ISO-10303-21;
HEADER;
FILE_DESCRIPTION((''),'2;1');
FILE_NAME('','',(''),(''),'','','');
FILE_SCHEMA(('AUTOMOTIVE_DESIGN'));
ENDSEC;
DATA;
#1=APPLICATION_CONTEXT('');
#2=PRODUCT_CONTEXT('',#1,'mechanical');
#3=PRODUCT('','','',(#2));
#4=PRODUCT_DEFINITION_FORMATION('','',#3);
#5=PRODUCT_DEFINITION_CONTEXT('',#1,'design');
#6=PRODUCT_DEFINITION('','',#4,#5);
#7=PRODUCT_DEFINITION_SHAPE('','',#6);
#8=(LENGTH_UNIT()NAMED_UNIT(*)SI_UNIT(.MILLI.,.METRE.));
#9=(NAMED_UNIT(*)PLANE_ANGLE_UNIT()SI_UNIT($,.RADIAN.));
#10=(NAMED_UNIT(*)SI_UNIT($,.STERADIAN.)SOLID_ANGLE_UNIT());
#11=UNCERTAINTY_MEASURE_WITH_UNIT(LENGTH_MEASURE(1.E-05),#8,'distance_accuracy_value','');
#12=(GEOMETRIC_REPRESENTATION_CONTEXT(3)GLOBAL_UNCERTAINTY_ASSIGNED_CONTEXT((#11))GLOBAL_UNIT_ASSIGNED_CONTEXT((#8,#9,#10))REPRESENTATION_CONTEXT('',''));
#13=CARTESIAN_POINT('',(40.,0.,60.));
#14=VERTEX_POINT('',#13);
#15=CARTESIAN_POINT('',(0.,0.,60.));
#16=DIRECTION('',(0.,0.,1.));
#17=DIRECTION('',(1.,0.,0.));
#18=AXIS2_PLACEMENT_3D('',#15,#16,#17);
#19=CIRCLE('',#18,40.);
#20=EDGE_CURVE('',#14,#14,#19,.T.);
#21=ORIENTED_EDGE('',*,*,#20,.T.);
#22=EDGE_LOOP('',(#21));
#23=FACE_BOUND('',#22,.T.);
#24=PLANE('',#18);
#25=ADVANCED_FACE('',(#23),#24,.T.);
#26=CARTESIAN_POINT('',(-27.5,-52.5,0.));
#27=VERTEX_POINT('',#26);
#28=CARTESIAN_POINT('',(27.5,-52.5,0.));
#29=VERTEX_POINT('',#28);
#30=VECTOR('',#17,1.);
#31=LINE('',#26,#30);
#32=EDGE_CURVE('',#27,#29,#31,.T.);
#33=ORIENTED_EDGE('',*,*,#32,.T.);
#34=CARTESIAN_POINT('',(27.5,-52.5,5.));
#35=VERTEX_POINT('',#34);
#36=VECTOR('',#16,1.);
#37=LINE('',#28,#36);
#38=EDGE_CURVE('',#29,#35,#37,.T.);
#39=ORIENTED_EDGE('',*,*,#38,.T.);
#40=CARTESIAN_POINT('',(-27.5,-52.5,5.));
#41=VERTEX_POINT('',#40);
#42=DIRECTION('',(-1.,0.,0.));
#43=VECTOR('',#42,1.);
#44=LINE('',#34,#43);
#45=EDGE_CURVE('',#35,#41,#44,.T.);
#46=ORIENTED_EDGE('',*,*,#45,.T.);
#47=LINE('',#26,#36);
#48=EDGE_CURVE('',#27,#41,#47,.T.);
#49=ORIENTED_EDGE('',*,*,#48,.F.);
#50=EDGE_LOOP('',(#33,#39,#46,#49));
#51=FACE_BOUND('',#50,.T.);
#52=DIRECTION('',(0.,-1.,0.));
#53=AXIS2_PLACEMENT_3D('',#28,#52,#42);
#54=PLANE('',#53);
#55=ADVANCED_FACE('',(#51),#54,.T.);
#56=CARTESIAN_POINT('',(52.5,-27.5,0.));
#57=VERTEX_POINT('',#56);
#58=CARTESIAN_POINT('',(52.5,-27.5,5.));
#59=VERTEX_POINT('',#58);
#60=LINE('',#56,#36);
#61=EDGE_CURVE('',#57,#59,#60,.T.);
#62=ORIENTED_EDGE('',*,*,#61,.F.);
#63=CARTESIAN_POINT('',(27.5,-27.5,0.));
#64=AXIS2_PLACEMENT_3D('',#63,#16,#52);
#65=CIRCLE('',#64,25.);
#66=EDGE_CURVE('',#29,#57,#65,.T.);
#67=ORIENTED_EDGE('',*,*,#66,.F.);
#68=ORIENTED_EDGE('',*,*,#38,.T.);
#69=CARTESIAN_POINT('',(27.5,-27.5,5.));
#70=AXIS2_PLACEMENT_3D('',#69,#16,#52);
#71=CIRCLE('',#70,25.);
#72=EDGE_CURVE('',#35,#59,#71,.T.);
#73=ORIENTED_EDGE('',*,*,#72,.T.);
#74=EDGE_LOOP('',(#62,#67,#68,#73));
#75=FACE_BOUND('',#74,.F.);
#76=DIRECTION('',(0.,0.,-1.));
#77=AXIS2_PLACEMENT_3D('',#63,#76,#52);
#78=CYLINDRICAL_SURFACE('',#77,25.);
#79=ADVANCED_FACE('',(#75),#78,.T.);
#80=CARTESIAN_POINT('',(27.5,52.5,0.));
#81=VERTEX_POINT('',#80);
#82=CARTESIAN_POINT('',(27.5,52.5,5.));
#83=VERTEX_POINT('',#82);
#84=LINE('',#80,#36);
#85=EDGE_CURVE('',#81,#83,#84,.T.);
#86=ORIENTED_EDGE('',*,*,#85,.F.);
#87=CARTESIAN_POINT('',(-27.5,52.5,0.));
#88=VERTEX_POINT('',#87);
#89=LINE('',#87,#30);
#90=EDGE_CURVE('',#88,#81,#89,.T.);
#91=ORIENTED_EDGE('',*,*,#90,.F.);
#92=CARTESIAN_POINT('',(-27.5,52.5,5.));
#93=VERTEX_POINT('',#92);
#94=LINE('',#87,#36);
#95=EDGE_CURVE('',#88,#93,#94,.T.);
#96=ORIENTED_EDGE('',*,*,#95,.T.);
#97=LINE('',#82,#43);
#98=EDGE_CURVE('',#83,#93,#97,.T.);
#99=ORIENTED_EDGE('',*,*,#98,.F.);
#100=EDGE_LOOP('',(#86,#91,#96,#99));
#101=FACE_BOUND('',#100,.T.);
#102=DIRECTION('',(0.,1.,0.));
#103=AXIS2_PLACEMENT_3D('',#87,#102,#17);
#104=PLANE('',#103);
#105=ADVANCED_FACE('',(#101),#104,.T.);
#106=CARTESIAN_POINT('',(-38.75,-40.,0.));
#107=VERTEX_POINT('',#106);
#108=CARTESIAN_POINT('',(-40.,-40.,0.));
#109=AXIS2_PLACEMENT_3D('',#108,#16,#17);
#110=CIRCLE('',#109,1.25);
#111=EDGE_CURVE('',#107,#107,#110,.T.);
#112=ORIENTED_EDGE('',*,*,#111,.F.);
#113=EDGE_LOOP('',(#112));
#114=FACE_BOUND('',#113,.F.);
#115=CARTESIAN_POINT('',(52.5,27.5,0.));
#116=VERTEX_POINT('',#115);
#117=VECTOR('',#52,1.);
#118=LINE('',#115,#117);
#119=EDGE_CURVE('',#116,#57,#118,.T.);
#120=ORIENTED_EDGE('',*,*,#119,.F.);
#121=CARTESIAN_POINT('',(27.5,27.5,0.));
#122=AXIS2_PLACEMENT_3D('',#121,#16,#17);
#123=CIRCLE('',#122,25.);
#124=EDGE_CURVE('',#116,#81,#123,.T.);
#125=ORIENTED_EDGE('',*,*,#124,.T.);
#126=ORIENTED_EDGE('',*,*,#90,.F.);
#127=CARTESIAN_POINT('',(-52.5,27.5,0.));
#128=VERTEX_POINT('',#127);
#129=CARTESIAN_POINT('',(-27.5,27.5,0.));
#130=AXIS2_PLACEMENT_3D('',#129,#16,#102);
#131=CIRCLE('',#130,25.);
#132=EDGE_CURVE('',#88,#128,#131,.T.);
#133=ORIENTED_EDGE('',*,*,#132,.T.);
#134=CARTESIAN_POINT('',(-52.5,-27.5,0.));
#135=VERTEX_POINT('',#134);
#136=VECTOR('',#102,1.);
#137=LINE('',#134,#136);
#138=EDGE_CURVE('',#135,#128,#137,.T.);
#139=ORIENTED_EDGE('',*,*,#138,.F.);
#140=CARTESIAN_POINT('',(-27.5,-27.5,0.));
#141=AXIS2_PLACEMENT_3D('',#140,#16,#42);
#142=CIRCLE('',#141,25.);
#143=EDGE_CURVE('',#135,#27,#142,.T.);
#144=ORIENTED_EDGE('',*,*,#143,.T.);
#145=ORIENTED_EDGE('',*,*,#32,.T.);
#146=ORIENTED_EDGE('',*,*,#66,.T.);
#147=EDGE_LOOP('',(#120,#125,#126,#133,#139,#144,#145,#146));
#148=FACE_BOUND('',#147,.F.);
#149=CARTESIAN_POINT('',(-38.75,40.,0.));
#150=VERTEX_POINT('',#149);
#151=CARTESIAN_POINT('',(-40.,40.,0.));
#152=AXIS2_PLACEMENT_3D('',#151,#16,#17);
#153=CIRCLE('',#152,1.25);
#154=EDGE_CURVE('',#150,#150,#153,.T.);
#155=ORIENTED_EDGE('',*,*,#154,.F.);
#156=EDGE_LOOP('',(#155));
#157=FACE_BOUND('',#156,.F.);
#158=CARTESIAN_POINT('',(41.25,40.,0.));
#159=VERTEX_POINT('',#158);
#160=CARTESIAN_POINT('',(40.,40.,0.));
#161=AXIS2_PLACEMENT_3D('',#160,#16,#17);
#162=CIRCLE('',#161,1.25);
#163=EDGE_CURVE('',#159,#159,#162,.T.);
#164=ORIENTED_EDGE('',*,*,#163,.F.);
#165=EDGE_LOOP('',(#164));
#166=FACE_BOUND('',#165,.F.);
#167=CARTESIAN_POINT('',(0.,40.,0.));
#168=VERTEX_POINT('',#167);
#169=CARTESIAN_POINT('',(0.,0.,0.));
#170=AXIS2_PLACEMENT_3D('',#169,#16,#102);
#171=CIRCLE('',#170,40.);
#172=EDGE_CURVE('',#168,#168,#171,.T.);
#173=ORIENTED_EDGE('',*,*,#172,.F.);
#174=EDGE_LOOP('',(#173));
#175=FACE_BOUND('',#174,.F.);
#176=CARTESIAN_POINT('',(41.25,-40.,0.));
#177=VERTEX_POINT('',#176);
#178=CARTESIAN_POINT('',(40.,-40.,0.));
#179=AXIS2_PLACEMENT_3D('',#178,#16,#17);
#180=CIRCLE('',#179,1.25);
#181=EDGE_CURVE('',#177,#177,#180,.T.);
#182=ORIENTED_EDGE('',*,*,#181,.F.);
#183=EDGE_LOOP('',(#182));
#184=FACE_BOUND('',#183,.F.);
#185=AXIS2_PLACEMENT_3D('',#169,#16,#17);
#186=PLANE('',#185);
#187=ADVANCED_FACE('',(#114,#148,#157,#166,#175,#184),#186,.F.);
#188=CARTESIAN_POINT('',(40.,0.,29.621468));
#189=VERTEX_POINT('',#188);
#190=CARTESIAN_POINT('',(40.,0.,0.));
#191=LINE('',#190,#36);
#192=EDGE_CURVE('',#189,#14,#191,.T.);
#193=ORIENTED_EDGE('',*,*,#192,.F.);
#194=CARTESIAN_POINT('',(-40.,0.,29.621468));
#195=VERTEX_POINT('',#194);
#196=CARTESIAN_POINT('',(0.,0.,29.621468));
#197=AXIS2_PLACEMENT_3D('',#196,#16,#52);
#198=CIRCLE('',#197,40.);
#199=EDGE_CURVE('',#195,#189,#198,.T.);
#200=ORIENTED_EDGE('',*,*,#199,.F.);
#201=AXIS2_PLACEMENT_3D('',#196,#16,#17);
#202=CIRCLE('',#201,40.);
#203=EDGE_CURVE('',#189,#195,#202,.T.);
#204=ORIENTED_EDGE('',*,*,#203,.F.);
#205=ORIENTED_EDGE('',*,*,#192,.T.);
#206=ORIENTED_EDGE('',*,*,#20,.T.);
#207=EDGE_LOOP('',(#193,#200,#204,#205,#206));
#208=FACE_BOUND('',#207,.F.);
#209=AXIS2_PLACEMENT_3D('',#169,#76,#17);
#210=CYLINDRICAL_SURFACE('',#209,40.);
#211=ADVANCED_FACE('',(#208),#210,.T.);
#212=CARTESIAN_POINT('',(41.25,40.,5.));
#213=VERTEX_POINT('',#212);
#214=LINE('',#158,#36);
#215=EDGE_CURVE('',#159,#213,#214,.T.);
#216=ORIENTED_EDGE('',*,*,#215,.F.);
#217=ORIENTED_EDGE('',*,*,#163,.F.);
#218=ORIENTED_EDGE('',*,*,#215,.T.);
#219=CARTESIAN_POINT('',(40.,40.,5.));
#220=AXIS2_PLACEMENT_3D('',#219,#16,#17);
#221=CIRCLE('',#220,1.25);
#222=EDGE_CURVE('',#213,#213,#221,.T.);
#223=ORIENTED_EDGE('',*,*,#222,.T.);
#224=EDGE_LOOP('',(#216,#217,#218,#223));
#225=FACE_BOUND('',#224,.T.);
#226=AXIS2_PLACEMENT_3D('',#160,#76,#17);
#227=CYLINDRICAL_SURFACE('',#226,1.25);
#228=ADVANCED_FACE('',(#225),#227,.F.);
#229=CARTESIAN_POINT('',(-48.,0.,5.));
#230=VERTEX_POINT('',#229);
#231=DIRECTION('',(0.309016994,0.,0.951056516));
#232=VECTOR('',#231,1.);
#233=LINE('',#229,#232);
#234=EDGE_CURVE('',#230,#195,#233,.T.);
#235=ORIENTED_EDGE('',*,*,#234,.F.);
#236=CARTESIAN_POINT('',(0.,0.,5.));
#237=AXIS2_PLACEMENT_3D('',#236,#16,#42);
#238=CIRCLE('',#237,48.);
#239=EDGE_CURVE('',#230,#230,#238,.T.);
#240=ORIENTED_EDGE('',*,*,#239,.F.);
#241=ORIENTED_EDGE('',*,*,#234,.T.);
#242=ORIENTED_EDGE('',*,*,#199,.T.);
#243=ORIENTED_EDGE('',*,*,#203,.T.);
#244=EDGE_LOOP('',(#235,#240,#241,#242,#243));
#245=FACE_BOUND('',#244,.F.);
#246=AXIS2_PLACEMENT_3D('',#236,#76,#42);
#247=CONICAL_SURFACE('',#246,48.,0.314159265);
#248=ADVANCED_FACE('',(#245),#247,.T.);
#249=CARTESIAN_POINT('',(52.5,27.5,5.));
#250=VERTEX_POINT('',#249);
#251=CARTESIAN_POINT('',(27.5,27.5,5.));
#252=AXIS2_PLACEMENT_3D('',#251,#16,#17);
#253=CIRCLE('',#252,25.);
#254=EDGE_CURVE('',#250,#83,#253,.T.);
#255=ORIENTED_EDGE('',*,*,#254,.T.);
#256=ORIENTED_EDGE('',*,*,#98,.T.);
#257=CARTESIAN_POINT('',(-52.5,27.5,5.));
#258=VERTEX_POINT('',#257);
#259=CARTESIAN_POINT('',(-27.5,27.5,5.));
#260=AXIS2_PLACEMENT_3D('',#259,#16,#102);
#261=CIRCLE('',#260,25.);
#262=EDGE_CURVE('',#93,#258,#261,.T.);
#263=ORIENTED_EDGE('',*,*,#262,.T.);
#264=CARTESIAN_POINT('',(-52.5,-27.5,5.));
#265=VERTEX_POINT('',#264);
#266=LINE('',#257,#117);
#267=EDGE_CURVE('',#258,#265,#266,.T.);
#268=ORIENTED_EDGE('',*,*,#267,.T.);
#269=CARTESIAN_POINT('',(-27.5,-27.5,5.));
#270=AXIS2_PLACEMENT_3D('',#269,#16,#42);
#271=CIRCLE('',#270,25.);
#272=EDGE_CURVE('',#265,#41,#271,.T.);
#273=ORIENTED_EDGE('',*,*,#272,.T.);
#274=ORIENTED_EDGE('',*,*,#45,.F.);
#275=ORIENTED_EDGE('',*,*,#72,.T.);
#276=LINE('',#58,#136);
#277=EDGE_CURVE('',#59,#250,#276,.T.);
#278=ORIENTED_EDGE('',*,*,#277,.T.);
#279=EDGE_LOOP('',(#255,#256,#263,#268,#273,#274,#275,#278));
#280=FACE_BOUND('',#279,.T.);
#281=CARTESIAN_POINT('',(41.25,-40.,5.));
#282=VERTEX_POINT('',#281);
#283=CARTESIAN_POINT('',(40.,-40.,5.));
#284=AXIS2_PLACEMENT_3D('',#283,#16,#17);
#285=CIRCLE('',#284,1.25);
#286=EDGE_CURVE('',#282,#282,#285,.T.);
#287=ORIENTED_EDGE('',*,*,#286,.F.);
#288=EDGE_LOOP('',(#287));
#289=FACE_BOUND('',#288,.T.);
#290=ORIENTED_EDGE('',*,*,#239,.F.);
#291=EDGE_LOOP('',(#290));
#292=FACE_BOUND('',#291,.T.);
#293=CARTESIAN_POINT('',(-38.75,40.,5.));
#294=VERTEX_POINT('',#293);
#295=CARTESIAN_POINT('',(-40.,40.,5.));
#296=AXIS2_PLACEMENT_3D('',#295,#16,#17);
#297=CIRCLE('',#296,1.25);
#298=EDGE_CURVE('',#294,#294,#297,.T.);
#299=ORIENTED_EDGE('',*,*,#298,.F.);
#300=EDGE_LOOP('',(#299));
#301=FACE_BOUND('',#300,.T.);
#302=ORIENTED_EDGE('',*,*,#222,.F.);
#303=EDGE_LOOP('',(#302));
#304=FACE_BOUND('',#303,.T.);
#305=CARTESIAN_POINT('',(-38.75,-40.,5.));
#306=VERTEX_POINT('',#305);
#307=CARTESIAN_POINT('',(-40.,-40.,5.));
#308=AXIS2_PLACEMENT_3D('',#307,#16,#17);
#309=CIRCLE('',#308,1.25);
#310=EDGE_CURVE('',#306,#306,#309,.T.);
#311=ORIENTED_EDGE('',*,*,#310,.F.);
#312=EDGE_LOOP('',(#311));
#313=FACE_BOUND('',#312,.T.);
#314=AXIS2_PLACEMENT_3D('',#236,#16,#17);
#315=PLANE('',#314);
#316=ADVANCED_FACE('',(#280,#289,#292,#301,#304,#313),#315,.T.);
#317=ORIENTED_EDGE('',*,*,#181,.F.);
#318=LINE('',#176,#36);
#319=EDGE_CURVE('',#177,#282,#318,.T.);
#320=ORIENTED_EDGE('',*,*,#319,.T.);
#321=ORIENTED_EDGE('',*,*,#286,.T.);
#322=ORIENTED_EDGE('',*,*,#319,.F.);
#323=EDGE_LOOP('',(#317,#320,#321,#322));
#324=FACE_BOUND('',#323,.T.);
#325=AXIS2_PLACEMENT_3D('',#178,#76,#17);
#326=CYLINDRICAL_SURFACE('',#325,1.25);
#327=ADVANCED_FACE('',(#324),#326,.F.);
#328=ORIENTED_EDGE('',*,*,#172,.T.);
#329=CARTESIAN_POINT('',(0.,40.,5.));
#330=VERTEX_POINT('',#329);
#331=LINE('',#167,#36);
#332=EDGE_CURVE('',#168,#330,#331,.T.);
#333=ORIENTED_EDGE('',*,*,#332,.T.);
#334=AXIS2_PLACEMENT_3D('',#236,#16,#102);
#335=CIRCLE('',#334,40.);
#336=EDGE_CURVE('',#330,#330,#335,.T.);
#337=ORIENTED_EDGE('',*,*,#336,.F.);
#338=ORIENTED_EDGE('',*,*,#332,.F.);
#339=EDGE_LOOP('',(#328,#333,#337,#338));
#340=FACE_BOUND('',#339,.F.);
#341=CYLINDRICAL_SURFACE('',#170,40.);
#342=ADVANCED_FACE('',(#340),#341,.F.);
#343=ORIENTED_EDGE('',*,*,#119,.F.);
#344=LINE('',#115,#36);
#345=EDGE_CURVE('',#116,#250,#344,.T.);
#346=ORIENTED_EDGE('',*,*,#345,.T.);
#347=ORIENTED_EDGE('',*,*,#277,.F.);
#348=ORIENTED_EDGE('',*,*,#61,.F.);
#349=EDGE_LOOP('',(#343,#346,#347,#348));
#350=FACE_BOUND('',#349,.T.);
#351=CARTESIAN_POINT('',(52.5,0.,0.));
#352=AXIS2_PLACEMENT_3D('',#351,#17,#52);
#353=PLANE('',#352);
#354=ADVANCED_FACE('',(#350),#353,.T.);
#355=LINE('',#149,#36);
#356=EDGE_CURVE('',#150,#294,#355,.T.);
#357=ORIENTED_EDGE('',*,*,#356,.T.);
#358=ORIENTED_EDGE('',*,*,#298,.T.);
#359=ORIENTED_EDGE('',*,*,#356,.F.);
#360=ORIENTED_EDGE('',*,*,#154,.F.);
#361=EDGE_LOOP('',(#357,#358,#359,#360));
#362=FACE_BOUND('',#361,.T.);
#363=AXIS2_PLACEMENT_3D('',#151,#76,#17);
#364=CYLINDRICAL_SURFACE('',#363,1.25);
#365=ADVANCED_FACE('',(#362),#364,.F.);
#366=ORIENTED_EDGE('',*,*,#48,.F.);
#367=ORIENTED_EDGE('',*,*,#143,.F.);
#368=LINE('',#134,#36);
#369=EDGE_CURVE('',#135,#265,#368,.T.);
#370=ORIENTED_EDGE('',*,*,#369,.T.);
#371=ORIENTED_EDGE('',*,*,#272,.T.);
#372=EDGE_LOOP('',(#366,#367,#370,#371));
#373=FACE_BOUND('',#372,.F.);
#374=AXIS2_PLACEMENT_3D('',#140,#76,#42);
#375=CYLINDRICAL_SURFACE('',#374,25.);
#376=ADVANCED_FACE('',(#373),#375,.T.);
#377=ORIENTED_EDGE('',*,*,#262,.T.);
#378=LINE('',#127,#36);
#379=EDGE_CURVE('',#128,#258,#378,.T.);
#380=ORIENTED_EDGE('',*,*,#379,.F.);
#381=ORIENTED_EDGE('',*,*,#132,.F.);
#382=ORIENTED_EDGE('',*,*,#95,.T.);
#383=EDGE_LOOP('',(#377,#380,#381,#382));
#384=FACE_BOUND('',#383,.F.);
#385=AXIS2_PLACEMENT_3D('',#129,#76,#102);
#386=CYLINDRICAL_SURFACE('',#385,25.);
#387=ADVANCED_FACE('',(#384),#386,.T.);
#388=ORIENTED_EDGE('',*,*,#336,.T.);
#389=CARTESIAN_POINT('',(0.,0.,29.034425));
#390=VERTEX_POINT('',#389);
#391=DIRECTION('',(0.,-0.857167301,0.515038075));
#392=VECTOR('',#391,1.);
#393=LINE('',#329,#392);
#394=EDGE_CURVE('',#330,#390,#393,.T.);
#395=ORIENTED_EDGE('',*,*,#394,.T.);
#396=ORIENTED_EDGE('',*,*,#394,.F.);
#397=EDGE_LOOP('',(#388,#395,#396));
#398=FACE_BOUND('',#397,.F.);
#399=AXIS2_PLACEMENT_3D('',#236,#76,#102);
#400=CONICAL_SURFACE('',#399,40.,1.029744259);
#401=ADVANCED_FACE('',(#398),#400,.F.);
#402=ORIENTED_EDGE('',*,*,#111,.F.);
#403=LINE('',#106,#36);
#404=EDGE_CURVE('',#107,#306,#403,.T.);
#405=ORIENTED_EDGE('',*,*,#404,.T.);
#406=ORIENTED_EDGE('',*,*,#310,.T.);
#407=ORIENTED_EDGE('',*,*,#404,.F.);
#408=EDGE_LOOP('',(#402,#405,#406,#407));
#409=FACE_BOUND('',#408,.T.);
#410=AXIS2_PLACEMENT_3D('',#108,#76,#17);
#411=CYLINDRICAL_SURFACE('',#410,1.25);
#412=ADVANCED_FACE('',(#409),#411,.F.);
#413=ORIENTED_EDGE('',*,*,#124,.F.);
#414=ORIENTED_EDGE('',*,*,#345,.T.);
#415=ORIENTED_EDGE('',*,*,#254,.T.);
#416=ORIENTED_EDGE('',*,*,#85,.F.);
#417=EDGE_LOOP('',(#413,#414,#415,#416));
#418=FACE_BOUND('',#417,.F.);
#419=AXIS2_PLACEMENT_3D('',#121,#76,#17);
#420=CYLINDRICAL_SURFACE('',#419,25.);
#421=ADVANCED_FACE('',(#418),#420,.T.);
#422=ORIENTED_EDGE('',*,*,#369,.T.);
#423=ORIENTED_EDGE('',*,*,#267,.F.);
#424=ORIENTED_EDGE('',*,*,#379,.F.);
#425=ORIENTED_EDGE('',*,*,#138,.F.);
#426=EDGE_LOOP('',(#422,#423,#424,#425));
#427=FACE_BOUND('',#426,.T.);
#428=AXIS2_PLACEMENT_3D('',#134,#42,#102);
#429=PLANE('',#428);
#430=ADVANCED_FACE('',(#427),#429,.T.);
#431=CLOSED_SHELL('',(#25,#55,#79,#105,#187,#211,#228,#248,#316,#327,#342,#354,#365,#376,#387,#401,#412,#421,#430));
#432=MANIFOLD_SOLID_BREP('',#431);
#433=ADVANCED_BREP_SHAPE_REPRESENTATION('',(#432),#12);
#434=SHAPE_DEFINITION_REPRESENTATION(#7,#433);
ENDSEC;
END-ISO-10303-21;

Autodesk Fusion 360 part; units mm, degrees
sketch "Esquisse1" plane through (0, 0, 0) normal (0, 0, 1) x (1, 0, 0)
  line L0 (27.5, -52.5) -> (-27.5, -52.5)
  line L1 (-52.5, -27.5) -> (-52.5, 27.5)
  line L2 (-27.5, 52.5) -> (27.5, 52.5)
  line L3 (52.5, 27.5) -> (52.5, -27.5)
  circle A0 centre (0, 0) radius 52.5
  line L4 (40, -40) -> (-40, 40) construction
  line L5 (-40, -40) -> (40, 40) construction
  circle A1 centre (-40, -40) radius 1.25
  circle A2 centre (40, -40) radius 1.25
  circle A3 centre (-40, 40) radius 1.25
  circle A4 centre (40, 40) radius 1.25
  arc A5 (-52.5, -27.5) -> (-27.5, -52.5) centre (-27.5, -27.5) ccw
  arc A6 (27.5, -52.5) -> (52.5, -27.5) centre (27.5, -27.5) ccw
  arc A7 (52.5, 27.5) -> (27.5, 52.5) centre (27.5, 27.5) ccw
  arc A8 (-27.5, 52.5) -> (-52.5, 27.5) centre (-27.5, 27.5) ccw
  dimension "d3" = 105
  dimension "d40" = 2.5
  dimension "d41" = 2.5
  dimension "d42" = 2.5
  dimension "d43" = 2.5
extrude "Extrusion1" add sketch "Esquisse1" along normal blind 5 contours L0 L3 A0 A6 | L0 L1 A0 A5 | A0 | L1 L2 A0 A8 | L2 L3 A0 A7 | A1 | A2 | A3 | A4
sketch "Esquisse2" plane through (0, 0, 5) normal (0, 0, 1) x (-1, 0, 0)
  line L0 (-27.5, -52.5) -> (27.5, -52.5)
  line L1 (52.5, -27.5) -> (52.5, 27.5)
  line L2 (27.5, 52.5) -> (-27.5, 52.5)
  line L3 (-52.5, 27.5) -> (-52.5, -27.5)
  circle A0 centre (0, 0) radius 48
  arc A1 (-52.5, -27.5) -> (-27.5, -52.5) centre (-27.5, -27.5) ccw
  arc A2 (27.5, -52.5) -> (52.5, -27.5) centre (27.5, -27.5) ccw
  arc A3 (52.5, 27.5) -> (27.5, 52.5) centre (27.5, 27.5) ccw
  arc A4 (-27.5, 52.5) -> (-52.5, 27.5) centre (-27.5, 27.5) ccw
  dimension "d16" = 96
extrude "Extrusion2" add sketch "Esquisse2" along normal blind 25 draft -18 contours A0
hole "Perçage2" at (0, 0, 0) direction (0, 0, 1) diameter 80 depth 60 tip angle 180
sketch "Esquisse5" plane through (0, 0, 0) normal (1, 0, 0) x (0, 1, 0)
sketch "Esquisse6" plane through (0, 0, 0) normal (0, 0, 1) x (1, 0, 0)
  circle A0 centre (0, 0) radius 40
  dimension "d28" = 80
extrude "Extrusion4" add sketch "Esquisse6" along normal blind 60
hole "Perçage3" at (0, 0, 0) direction (0, 0, 1) diameter 80 depth 5 tip angle 118
extrude "Extrusion6" cut sketch "Esquisse1" along normal blind 5 contours A1 | A2 | A3 | A4
